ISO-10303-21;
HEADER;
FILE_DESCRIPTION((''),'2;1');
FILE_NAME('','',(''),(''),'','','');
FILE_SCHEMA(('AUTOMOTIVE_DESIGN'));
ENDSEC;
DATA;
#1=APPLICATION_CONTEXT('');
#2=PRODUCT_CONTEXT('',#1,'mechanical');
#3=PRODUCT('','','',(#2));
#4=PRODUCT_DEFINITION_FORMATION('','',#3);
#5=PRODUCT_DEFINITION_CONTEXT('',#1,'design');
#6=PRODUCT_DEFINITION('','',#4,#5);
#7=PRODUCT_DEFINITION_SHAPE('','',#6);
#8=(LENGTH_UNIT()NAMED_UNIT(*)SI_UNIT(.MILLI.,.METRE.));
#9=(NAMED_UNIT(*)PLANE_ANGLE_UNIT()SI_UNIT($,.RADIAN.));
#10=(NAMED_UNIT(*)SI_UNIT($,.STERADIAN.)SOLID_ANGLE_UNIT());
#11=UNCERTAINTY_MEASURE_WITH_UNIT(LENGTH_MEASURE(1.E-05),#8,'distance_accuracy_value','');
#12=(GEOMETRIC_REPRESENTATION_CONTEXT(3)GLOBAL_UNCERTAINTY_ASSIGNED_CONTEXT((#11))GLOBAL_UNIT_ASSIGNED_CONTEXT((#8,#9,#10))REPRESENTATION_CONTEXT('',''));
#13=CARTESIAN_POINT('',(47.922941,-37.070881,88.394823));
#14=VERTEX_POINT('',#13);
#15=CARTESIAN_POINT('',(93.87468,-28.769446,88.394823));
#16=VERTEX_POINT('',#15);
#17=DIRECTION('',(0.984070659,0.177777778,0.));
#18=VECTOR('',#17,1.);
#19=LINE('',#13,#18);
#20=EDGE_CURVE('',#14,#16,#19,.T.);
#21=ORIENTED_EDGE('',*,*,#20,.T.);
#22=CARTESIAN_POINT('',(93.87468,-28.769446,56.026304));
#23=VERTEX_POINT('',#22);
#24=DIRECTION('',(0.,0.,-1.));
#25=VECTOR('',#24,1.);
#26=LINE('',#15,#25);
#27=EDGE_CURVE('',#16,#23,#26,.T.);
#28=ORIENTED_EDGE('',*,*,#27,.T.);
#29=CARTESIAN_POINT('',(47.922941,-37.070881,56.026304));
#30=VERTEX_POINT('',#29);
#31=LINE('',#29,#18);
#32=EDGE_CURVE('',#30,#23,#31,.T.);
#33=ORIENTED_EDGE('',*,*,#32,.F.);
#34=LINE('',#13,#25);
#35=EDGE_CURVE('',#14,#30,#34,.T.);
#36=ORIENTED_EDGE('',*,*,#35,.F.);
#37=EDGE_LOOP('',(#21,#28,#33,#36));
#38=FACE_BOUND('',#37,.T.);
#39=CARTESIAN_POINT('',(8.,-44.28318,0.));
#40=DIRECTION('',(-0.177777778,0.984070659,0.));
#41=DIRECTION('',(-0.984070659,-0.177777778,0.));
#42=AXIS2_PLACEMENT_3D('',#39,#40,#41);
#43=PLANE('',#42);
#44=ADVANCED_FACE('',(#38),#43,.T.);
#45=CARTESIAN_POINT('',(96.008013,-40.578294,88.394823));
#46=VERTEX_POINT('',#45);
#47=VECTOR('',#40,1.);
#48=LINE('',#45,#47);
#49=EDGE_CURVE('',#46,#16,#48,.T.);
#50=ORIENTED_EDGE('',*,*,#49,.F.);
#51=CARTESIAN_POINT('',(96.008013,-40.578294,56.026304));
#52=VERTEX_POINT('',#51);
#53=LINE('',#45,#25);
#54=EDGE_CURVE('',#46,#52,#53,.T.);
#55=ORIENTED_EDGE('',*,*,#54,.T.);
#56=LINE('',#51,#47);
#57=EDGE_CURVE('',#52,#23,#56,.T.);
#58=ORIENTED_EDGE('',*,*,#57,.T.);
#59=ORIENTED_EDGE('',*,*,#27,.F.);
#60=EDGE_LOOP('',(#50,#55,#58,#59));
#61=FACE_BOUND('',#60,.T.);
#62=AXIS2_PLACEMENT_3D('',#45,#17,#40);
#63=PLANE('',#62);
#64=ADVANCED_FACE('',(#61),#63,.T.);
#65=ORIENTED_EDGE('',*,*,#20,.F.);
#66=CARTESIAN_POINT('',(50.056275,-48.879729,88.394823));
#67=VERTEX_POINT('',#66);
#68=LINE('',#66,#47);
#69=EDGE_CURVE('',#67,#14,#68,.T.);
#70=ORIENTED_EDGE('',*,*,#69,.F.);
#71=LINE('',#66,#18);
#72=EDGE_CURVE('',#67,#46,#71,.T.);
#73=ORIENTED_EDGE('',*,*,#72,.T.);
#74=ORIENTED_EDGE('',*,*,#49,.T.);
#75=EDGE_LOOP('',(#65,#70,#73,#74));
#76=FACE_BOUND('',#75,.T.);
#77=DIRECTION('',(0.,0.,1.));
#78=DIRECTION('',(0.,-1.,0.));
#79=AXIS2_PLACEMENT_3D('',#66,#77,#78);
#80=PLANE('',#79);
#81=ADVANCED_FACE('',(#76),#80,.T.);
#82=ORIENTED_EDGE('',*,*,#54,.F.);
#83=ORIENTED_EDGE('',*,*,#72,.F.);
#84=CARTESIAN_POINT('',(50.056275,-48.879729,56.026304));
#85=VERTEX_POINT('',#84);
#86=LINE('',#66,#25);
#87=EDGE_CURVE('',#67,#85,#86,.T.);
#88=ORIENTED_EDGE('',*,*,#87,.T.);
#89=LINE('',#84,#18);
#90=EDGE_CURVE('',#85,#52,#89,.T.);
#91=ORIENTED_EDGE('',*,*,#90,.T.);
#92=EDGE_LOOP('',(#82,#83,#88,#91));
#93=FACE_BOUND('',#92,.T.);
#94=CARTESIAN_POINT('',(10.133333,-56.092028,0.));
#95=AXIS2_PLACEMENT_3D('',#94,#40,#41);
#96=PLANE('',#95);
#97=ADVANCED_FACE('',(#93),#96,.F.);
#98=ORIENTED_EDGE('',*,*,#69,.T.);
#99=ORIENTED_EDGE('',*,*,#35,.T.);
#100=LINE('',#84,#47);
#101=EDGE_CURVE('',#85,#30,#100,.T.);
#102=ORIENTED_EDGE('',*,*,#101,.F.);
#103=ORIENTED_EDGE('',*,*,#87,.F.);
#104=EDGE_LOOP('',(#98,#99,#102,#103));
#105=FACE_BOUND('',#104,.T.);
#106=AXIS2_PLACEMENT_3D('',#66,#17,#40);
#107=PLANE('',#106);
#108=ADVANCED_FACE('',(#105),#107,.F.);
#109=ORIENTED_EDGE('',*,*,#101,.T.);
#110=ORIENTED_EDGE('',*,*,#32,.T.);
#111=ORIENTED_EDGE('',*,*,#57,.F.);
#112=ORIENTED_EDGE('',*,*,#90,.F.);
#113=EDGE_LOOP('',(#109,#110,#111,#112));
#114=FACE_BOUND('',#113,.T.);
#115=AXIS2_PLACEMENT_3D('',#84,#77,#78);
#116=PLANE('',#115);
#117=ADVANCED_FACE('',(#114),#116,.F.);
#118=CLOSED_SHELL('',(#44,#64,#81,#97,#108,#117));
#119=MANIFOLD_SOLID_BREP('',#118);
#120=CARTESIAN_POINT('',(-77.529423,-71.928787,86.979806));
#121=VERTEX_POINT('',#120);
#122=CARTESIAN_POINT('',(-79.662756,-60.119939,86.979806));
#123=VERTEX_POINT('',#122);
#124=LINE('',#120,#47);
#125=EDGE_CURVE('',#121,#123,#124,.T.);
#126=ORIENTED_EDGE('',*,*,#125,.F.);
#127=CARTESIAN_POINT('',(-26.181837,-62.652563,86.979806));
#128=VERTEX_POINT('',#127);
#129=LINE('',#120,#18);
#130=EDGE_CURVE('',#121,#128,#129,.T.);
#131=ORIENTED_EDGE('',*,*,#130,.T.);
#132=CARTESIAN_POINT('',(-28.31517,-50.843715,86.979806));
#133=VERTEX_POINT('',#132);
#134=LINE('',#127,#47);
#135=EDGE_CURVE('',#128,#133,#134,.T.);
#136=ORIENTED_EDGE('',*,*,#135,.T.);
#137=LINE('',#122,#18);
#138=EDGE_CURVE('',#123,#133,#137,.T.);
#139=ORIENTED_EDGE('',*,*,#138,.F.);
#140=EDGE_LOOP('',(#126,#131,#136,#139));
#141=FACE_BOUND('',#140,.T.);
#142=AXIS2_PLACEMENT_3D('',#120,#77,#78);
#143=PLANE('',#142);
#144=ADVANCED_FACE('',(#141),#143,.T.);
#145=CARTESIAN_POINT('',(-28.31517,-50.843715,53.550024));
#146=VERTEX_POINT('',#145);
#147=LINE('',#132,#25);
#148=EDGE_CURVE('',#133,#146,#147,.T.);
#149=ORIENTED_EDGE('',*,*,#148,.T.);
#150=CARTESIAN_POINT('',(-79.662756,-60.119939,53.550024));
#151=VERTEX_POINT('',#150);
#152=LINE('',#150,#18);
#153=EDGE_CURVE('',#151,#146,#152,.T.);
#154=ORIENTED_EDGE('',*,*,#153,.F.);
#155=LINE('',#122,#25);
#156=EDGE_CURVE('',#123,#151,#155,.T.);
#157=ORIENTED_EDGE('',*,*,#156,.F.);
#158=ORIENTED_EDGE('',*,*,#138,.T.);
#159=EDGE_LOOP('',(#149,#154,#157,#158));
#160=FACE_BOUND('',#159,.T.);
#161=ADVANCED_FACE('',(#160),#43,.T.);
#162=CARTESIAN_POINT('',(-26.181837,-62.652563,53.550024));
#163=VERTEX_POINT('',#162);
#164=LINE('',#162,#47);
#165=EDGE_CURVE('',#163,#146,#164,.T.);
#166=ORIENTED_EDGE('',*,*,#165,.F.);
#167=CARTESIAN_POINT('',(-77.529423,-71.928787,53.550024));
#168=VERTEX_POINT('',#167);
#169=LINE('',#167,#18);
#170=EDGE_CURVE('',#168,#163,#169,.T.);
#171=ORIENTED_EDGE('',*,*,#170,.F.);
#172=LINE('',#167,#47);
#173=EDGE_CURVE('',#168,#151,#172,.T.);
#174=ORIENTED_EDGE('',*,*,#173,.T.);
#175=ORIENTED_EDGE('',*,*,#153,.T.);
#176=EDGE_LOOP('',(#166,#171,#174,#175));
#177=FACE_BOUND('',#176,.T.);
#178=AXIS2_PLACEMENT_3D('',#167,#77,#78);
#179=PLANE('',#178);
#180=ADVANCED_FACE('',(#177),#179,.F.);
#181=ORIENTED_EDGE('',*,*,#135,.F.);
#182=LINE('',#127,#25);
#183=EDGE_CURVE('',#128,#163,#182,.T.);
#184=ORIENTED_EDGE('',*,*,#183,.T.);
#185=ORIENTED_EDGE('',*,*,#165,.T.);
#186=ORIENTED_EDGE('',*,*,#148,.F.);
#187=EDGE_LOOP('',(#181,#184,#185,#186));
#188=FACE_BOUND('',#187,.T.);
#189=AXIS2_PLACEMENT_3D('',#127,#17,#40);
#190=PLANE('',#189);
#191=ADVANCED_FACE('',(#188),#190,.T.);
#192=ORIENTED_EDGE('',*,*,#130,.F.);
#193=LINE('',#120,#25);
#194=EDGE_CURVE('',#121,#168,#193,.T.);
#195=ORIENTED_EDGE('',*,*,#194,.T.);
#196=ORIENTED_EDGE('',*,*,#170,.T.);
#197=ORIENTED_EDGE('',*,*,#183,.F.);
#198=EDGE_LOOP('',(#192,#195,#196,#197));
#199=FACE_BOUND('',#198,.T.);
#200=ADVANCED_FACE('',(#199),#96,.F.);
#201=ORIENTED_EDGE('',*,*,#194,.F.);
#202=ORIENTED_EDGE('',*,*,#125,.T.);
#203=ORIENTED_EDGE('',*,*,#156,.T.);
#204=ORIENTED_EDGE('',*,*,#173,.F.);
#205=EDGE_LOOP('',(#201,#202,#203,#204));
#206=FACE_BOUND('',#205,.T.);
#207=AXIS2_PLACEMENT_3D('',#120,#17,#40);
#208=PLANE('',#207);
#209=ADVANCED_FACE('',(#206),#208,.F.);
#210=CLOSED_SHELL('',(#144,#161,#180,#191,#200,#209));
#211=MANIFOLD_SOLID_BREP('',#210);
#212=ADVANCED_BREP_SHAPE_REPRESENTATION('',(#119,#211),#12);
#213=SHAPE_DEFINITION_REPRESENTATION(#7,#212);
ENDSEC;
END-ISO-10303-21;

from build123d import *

# Parameters (mm, degrees)
SKETCH1_W             = 52.178759604
SKETCH1_H             = 33.429781577
BOSS_EXTRUDE1_DEPTH   = 12
SKETCH1_W_2           = 46.695567917
SKETCH1_H_2           = 32.368518669
BOSS_EXTRUDE1_2_DEPTH = 12


with BuildPart() as part:
    # Sketch1 → Boss-Extrude1 (new body)
    with BuildSketch(Plane(origin=(8, -44.283179651, 0), x_dir=(0.9840706589104218, 0.17777777777778753, 0), z_dir=(0.1777777777777875, -0.9840706589104217, 0))):
        with Locations((-62.992390369, 70.264914848)):
            Rectangle(SKETCH1_W, SKETCH1_H)
    extrude(amount=BOSS_EXTRUDE1_DEPTH)


with BuildPart() as body_2:
    # Sketch1 → Boss-Extrude1 2 (new body)
    with BuildSketch(Plane(origin=(8, -44.283179651, 0), x_dir=(0.9840706589104218, 0.17777777777778753, 0), z_dir=(0.1777777777777875, -0.9840706589104217, 0))):
        with Locations((63.916965617, 72.210563511)):
            Rectangle(SKETCH1_W_2, SKETCH1_H_2)
    extrude(amount=BOSS_EXTRUDE1_2_DEPTH)


solid = Compound([part.part, body_2.part])
